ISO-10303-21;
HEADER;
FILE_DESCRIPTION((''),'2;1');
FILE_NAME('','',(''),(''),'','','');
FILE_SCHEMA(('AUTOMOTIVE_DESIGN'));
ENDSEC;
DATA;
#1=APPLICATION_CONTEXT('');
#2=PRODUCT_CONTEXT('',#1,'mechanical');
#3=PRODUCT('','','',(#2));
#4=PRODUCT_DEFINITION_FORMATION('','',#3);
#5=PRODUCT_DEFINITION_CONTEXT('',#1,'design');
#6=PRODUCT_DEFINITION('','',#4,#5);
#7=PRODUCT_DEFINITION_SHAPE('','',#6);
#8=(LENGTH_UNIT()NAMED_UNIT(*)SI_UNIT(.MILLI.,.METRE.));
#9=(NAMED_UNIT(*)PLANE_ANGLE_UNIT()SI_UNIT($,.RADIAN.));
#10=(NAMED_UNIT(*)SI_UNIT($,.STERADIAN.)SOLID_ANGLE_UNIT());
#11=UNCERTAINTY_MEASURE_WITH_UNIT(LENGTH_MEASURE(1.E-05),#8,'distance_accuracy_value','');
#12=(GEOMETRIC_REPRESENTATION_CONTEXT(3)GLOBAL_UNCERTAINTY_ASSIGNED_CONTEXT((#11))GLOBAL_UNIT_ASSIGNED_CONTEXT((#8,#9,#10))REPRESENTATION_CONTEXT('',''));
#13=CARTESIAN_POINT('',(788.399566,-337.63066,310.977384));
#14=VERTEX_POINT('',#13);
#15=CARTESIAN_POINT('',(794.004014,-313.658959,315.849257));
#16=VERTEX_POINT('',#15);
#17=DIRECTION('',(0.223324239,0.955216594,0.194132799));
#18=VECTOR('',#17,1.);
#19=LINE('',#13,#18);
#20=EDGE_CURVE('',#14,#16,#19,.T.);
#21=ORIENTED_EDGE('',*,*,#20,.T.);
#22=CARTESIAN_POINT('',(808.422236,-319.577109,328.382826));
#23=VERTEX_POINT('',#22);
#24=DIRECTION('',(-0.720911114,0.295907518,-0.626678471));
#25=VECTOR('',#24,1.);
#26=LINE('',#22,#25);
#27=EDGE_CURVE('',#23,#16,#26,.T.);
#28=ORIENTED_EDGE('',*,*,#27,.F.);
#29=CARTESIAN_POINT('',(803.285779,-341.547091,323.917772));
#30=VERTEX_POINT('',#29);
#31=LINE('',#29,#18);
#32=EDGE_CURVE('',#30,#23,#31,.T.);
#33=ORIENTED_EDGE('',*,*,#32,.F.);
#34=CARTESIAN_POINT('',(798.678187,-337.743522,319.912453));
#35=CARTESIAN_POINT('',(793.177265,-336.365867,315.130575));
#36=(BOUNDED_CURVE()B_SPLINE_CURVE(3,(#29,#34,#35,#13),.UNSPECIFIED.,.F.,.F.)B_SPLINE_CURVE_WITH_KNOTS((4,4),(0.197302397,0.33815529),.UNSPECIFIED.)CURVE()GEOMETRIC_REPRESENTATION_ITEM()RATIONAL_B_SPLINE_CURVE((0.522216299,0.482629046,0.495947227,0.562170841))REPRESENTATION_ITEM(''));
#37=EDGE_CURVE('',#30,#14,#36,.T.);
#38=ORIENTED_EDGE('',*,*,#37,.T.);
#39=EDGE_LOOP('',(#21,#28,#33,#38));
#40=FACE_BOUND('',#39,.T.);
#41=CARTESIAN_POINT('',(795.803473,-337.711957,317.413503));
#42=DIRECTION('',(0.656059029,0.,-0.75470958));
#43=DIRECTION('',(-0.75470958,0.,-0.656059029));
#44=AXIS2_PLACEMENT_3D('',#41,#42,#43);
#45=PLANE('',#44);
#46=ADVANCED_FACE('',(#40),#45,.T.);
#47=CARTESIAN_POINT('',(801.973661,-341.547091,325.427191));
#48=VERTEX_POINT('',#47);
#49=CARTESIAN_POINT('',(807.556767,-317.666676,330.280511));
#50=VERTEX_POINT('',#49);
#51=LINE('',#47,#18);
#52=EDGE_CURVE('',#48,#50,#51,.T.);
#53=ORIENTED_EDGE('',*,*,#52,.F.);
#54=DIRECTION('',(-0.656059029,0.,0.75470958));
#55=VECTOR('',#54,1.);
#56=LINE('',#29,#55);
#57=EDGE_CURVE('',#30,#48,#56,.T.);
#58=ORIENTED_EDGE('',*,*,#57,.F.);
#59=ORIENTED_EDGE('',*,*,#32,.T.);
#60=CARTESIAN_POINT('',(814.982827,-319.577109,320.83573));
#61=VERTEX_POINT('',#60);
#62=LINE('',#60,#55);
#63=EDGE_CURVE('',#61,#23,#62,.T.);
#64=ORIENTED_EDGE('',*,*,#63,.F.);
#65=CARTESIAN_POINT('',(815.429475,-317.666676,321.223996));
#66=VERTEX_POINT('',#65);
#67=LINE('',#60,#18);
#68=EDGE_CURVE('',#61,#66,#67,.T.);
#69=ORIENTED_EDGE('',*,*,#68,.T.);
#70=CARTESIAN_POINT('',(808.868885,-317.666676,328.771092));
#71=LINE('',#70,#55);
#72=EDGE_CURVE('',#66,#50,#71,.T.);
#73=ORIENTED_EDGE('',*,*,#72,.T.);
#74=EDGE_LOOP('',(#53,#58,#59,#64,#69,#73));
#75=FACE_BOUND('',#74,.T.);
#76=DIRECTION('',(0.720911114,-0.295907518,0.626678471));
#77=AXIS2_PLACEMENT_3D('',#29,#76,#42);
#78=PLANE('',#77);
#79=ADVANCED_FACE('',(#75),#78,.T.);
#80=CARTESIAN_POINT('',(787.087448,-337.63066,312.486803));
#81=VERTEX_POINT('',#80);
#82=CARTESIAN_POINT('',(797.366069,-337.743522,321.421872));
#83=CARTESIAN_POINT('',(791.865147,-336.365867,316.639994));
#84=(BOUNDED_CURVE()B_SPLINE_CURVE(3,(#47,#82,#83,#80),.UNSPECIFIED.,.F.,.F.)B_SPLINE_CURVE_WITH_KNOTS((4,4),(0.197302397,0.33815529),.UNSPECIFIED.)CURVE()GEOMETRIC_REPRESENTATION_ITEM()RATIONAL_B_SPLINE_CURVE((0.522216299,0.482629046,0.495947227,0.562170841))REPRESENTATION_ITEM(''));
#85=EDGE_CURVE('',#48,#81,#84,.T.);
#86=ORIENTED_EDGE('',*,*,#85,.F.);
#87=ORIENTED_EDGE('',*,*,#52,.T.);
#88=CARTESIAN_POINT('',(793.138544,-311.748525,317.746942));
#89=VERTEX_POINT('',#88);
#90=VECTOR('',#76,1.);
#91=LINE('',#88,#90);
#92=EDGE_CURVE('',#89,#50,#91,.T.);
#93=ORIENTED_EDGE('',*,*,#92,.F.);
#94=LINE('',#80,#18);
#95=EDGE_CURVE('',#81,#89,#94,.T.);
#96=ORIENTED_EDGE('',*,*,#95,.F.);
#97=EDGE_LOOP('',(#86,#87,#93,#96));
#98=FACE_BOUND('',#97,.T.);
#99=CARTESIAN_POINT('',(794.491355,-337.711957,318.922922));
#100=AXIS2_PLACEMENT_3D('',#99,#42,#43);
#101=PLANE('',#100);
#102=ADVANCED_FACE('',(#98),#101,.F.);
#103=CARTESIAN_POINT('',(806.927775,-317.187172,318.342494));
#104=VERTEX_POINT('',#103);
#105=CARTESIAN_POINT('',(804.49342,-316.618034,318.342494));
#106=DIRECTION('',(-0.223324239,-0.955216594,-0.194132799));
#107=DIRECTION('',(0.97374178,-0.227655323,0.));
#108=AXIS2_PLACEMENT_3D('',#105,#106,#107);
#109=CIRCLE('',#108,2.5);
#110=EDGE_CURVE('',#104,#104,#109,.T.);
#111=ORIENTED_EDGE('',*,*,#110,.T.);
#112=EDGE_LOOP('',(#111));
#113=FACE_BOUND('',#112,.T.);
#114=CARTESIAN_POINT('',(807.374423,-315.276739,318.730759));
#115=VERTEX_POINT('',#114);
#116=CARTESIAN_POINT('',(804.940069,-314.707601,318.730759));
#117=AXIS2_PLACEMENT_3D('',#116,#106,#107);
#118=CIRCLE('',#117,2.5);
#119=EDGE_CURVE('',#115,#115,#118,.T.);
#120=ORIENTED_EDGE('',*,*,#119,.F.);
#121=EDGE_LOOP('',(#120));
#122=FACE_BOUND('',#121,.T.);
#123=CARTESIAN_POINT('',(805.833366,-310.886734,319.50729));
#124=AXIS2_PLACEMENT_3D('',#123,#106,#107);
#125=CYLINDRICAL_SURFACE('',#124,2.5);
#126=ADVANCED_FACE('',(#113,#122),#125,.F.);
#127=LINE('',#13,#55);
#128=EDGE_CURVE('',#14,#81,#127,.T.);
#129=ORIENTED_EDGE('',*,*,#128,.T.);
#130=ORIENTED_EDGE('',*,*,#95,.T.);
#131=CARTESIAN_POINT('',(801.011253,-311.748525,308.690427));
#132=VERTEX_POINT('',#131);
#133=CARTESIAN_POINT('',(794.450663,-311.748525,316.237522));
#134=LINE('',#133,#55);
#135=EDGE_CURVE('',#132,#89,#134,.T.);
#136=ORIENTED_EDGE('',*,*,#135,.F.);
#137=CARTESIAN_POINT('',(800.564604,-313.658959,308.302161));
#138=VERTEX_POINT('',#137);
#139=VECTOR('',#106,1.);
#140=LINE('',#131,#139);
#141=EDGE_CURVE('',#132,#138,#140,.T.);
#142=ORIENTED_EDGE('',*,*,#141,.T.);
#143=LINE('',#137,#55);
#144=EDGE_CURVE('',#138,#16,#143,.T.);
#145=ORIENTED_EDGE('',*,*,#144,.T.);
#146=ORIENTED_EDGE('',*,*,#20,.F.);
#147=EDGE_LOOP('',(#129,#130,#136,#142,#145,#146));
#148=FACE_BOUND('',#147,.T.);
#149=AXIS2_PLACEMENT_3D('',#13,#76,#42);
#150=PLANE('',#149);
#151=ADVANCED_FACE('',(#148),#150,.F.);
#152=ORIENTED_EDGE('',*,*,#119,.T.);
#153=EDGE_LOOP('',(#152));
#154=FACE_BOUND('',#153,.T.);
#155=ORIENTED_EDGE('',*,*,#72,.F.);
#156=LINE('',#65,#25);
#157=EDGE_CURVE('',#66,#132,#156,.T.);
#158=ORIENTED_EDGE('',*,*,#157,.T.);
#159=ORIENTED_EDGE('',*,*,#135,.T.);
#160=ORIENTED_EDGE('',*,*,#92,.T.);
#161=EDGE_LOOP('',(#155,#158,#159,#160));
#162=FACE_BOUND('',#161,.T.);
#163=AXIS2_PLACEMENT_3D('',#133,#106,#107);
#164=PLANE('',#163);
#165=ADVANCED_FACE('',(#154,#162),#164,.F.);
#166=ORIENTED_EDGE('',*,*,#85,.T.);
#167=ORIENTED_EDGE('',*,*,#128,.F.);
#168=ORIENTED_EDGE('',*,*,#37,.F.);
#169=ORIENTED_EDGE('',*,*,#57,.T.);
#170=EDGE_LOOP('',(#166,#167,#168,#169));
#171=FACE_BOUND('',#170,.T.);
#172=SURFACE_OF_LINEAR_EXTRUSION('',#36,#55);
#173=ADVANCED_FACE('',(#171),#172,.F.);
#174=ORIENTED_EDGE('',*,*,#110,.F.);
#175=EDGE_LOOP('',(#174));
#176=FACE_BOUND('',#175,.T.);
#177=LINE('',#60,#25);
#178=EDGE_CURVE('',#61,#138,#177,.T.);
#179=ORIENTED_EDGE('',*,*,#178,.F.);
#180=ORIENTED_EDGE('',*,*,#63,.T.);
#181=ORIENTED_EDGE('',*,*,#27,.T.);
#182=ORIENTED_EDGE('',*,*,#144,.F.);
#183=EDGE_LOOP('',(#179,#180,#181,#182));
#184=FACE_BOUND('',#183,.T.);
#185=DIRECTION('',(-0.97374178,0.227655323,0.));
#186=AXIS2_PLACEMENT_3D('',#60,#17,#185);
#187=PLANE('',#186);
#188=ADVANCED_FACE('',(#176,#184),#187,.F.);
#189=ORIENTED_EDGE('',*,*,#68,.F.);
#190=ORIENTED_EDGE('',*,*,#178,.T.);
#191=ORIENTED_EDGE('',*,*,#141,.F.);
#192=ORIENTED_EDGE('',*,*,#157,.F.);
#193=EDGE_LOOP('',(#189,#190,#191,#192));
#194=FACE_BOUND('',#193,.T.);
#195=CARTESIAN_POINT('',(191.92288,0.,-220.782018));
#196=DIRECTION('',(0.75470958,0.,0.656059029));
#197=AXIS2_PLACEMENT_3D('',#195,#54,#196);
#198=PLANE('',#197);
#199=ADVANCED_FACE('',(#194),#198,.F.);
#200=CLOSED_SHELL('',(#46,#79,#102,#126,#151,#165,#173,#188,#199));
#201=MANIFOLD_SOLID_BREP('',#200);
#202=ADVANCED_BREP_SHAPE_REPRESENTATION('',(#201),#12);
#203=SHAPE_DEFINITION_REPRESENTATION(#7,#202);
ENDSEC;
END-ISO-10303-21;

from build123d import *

# Parameters (mm, degrees)
DODANIE_WYCI_GNI_CIE1_DEPTH       = 2
WYCI_GNI_CIE_CIENKA_CIANKA1_DEPTH = 10
SZKIC3_R                          = 2.5
WYTNIJ_WYCI_GNI_CIE1_DEPTH        = 6


with BuildPart() as part:
    # Szkic1 → Dodanie-wyciągnięcie1 (new body)
    with BuildSketch(Plane(origin=(184.050171811, 0, -211.725502995), x_dir=(-0.75470958, 0, -0.656059029), z_dir=(0.656059029, 0, -0.75470958))):
        with BuildLine():
            Line((-818.756651821, -341.547090535), (-826.154339771, -317.666675693))
            Line((-826.154339771, -317.666675693), (-807.050007897, -311.748525334))
            Line((-807.050007897, -311.748525334), (-799.03222594, -337.630660478))
            add(Edge.make_bspline(
                [(-818.756651821, -341.547090535), (-812.651532186, -337.74352209), (-805.362739321, -336.365866813), (-799.03222594, -337.630660478)],
                knots=[0.197302397, 0.197302397, 0.197302397, 0.197302397, 0.33815529, 0.33815529, 0.33815529, 0.33815529], degree=3, weights=[0.522216299, 0.482629046, 0.495947227, 0.562170841]))
        make_face()
    extrude(amount=DODANIE_WYCI_GNI_CIE1_DEPTH)

    # Szkic2 → Wyciągnięcie-cienka ścianka1 (add)
    with BuildSketch(Plane(origin=(185.362289869, 0, -213.234922155), x_dir=(-0.75470958, 0, -0.656059029), z_dir=(0.656059029, 0, -0.75470958))):
        Polygon((-826.154339771, -317.666675693), (-807.050007897, -311.748525334), (-806.458192861, -313.658958521), (-825.562524735, -319.577108881), align=None)
    extrude(amount=WYCI_GNI_CIE_CIENKA_CIANKA1_DEPTH)

    # Szkic3 → Wytnij-wyciągnięcie1 (cut)
    with BuildSketch(Plane(origin=(-13.617240057, -58.24452258, -11.837286187), x_dir=(-0.974744215, 0.218850254, 0.044477883), z_dir=(-0.223324239, -0.955216594, -0.194132799))):
        with Locations((-839.308044037, -375.023490092)):
            Circle(SZKIC3_R)
    extrude(amount=-WYTNIJ_WYCI_GNI_CIE1_DEPTH, mode=Mode.SUBTRACT)


solid = part.part
